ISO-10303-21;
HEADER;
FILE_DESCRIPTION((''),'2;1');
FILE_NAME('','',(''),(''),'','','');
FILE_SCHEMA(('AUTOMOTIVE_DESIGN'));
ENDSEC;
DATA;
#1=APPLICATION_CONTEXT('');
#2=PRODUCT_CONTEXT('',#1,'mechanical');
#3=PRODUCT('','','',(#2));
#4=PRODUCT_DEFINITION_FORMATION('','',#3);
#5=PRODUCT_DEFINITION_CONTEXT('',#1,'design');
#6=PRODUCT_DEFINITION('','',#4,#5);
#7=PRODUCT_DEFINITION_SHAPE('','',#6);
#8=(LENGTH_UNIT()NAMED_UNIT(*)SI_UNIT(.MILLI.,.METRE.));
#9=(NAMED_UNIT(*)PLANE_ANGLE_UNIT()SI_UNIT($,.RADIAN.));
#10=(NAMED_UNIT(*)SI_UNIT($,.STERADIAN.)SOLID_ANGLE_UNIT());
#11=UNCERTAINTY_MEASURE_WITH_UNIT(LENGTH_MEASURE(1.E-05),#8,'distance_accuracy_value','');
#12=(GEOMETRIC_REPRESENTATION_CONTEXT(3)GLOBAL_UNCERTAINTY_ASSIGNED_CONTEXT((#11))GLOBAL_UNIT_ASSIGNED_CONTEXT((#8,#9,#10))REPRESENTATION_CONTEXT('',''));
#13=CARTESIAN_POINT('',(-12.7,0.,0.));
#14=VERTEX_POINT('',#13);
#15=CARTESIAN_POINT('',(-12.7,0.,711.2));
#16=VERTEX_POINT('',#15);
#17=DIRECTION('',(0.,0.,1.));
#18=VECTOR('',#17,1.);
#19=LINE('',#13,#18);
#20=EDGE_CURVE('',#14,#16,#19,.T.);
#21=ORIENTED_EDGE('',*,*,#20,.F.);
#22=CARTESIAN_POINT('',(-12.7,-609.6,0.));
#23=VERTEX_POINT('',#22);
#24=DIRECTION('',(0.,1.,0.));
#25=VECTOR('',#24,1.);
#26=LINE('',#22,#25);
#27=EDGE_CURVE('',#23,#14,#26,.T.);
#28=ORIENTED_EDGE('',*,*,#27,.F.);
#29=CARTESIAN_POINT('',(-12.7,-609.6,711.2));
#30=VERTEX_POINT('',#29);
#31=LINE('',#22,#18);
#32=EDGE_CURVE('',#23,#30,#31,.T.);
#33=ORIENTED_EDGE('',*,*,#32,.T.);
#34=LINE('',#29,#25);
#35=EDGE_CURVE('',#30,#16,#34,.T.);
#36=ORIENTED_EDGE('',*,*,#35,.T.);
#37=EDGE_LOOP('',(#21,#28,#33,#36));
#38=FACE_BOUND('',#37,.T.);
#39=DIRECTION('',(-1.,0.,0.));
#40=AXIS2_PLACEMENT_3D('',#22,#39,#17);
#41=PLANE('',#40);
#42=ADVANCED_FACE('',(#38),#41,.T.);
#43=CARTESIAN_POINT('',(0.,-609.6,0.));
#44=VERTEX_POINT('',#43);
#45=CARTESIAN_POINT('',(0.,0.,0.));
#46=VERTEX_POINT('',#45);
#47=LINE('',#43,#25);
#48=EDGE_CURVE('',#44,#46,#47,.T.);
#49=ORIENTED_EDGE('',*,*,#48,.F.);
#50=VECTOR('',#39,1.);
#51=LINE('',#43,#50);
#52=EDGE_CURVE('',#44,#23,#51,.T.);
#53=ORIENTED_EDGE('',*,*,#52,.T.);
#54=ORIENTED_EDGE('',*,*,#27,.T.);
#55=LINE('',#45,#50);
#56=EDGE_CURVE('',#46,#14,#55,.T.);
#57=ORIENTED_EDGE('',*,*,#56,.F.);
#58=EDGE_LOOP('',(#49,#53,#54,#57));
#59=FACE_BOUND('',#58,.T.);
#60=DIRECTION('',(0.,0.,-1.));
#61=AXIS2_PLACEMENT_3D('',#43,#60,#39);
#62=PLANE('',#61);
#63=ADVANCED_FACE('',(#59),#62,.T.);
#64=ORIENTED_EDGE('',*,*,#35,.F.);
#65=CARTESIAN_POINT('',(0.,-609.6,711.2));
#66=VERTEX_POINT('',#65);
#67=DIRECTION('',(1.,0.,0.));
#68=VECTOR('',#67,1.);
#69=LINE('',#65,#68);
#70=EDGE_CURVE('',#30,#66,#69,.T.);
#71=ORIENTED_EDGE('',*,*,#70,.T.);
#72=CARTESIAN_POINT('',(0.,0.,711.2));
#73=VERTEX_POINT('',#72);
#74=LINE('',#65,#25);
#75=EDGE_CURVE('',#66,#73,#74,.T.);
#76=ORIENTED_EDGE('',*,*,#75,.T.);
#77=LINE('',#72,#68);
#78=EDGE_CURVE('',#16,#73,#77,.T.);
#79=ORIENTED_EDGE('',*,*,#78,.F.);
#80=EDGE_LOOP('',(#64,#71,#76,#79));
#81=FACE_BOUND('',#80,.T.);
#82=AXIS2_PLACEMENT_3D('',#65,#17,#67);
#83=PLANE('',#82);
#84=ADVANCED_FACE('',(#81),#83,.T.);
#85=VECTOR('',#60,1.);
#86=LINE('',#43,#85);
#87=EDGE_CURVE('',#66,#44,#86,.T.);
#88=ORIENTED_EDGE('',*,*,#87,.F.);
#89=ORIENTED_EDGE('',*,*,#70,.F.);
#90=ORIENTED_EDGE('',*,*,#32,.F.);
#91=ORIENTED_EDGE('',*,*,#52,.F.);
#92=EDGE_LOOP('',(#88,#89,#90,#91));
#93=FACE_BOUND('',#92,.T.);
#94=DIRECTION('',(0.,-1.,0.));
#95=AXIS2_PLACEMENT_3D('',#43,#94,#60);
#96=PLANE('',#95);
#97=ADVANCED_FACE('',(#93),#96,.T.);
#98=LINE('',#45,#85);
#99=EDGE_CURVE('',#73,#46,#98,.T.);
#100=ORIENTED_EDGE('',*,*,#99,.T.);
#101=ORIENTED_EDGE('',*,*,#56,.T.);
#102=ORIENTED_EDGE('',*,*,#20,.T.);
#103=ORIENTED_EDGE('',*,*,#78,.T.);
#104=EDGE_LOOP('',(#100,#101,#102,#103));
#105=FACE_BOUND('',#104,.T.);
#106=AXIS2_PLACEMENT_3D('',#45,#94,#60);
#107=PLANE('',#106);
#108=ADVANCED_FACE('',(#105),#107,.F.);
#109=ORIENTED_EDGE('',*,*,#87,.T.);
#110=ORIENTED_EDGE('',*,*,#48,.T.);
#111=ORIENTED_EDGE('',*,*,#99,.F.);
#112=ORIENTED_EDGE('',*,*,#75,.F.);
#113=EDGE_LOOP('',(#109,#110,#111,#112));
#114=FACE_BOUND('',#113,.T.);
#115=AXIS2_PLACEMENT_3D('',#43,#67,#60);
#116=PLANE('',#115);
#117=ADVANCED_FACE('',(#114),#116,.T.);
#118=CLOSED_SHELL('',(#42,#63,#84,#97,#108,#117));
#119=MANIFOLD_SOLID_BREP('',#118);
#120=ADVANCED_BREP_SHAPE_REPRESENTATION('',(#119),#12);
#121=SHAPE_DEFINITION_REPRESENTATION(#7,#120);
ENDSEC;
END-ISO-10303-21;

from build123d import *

# Parameters (mm, degrees)
SKETCH1_W           = 12.7
SKETCH1_H           = 711.2
BOSS_EXTRUDE1_DEPTH = 609.6


with BuildPart() as part:
    # Sketch1 → Boss-Extrude1 (new body)
    with BuildSketch(Plane(origin=(0, 0, 0), x_dir=(1, 0, 0), z_dir=(0, 1, 0))):
        with Locations((-6.35, -355.6)):
            Rectangle(SKETCH1_W, SKETCH1_H)
    extrude(amount=-BOSS_EXTRUDE1_DEPTH)


solid = part.part
